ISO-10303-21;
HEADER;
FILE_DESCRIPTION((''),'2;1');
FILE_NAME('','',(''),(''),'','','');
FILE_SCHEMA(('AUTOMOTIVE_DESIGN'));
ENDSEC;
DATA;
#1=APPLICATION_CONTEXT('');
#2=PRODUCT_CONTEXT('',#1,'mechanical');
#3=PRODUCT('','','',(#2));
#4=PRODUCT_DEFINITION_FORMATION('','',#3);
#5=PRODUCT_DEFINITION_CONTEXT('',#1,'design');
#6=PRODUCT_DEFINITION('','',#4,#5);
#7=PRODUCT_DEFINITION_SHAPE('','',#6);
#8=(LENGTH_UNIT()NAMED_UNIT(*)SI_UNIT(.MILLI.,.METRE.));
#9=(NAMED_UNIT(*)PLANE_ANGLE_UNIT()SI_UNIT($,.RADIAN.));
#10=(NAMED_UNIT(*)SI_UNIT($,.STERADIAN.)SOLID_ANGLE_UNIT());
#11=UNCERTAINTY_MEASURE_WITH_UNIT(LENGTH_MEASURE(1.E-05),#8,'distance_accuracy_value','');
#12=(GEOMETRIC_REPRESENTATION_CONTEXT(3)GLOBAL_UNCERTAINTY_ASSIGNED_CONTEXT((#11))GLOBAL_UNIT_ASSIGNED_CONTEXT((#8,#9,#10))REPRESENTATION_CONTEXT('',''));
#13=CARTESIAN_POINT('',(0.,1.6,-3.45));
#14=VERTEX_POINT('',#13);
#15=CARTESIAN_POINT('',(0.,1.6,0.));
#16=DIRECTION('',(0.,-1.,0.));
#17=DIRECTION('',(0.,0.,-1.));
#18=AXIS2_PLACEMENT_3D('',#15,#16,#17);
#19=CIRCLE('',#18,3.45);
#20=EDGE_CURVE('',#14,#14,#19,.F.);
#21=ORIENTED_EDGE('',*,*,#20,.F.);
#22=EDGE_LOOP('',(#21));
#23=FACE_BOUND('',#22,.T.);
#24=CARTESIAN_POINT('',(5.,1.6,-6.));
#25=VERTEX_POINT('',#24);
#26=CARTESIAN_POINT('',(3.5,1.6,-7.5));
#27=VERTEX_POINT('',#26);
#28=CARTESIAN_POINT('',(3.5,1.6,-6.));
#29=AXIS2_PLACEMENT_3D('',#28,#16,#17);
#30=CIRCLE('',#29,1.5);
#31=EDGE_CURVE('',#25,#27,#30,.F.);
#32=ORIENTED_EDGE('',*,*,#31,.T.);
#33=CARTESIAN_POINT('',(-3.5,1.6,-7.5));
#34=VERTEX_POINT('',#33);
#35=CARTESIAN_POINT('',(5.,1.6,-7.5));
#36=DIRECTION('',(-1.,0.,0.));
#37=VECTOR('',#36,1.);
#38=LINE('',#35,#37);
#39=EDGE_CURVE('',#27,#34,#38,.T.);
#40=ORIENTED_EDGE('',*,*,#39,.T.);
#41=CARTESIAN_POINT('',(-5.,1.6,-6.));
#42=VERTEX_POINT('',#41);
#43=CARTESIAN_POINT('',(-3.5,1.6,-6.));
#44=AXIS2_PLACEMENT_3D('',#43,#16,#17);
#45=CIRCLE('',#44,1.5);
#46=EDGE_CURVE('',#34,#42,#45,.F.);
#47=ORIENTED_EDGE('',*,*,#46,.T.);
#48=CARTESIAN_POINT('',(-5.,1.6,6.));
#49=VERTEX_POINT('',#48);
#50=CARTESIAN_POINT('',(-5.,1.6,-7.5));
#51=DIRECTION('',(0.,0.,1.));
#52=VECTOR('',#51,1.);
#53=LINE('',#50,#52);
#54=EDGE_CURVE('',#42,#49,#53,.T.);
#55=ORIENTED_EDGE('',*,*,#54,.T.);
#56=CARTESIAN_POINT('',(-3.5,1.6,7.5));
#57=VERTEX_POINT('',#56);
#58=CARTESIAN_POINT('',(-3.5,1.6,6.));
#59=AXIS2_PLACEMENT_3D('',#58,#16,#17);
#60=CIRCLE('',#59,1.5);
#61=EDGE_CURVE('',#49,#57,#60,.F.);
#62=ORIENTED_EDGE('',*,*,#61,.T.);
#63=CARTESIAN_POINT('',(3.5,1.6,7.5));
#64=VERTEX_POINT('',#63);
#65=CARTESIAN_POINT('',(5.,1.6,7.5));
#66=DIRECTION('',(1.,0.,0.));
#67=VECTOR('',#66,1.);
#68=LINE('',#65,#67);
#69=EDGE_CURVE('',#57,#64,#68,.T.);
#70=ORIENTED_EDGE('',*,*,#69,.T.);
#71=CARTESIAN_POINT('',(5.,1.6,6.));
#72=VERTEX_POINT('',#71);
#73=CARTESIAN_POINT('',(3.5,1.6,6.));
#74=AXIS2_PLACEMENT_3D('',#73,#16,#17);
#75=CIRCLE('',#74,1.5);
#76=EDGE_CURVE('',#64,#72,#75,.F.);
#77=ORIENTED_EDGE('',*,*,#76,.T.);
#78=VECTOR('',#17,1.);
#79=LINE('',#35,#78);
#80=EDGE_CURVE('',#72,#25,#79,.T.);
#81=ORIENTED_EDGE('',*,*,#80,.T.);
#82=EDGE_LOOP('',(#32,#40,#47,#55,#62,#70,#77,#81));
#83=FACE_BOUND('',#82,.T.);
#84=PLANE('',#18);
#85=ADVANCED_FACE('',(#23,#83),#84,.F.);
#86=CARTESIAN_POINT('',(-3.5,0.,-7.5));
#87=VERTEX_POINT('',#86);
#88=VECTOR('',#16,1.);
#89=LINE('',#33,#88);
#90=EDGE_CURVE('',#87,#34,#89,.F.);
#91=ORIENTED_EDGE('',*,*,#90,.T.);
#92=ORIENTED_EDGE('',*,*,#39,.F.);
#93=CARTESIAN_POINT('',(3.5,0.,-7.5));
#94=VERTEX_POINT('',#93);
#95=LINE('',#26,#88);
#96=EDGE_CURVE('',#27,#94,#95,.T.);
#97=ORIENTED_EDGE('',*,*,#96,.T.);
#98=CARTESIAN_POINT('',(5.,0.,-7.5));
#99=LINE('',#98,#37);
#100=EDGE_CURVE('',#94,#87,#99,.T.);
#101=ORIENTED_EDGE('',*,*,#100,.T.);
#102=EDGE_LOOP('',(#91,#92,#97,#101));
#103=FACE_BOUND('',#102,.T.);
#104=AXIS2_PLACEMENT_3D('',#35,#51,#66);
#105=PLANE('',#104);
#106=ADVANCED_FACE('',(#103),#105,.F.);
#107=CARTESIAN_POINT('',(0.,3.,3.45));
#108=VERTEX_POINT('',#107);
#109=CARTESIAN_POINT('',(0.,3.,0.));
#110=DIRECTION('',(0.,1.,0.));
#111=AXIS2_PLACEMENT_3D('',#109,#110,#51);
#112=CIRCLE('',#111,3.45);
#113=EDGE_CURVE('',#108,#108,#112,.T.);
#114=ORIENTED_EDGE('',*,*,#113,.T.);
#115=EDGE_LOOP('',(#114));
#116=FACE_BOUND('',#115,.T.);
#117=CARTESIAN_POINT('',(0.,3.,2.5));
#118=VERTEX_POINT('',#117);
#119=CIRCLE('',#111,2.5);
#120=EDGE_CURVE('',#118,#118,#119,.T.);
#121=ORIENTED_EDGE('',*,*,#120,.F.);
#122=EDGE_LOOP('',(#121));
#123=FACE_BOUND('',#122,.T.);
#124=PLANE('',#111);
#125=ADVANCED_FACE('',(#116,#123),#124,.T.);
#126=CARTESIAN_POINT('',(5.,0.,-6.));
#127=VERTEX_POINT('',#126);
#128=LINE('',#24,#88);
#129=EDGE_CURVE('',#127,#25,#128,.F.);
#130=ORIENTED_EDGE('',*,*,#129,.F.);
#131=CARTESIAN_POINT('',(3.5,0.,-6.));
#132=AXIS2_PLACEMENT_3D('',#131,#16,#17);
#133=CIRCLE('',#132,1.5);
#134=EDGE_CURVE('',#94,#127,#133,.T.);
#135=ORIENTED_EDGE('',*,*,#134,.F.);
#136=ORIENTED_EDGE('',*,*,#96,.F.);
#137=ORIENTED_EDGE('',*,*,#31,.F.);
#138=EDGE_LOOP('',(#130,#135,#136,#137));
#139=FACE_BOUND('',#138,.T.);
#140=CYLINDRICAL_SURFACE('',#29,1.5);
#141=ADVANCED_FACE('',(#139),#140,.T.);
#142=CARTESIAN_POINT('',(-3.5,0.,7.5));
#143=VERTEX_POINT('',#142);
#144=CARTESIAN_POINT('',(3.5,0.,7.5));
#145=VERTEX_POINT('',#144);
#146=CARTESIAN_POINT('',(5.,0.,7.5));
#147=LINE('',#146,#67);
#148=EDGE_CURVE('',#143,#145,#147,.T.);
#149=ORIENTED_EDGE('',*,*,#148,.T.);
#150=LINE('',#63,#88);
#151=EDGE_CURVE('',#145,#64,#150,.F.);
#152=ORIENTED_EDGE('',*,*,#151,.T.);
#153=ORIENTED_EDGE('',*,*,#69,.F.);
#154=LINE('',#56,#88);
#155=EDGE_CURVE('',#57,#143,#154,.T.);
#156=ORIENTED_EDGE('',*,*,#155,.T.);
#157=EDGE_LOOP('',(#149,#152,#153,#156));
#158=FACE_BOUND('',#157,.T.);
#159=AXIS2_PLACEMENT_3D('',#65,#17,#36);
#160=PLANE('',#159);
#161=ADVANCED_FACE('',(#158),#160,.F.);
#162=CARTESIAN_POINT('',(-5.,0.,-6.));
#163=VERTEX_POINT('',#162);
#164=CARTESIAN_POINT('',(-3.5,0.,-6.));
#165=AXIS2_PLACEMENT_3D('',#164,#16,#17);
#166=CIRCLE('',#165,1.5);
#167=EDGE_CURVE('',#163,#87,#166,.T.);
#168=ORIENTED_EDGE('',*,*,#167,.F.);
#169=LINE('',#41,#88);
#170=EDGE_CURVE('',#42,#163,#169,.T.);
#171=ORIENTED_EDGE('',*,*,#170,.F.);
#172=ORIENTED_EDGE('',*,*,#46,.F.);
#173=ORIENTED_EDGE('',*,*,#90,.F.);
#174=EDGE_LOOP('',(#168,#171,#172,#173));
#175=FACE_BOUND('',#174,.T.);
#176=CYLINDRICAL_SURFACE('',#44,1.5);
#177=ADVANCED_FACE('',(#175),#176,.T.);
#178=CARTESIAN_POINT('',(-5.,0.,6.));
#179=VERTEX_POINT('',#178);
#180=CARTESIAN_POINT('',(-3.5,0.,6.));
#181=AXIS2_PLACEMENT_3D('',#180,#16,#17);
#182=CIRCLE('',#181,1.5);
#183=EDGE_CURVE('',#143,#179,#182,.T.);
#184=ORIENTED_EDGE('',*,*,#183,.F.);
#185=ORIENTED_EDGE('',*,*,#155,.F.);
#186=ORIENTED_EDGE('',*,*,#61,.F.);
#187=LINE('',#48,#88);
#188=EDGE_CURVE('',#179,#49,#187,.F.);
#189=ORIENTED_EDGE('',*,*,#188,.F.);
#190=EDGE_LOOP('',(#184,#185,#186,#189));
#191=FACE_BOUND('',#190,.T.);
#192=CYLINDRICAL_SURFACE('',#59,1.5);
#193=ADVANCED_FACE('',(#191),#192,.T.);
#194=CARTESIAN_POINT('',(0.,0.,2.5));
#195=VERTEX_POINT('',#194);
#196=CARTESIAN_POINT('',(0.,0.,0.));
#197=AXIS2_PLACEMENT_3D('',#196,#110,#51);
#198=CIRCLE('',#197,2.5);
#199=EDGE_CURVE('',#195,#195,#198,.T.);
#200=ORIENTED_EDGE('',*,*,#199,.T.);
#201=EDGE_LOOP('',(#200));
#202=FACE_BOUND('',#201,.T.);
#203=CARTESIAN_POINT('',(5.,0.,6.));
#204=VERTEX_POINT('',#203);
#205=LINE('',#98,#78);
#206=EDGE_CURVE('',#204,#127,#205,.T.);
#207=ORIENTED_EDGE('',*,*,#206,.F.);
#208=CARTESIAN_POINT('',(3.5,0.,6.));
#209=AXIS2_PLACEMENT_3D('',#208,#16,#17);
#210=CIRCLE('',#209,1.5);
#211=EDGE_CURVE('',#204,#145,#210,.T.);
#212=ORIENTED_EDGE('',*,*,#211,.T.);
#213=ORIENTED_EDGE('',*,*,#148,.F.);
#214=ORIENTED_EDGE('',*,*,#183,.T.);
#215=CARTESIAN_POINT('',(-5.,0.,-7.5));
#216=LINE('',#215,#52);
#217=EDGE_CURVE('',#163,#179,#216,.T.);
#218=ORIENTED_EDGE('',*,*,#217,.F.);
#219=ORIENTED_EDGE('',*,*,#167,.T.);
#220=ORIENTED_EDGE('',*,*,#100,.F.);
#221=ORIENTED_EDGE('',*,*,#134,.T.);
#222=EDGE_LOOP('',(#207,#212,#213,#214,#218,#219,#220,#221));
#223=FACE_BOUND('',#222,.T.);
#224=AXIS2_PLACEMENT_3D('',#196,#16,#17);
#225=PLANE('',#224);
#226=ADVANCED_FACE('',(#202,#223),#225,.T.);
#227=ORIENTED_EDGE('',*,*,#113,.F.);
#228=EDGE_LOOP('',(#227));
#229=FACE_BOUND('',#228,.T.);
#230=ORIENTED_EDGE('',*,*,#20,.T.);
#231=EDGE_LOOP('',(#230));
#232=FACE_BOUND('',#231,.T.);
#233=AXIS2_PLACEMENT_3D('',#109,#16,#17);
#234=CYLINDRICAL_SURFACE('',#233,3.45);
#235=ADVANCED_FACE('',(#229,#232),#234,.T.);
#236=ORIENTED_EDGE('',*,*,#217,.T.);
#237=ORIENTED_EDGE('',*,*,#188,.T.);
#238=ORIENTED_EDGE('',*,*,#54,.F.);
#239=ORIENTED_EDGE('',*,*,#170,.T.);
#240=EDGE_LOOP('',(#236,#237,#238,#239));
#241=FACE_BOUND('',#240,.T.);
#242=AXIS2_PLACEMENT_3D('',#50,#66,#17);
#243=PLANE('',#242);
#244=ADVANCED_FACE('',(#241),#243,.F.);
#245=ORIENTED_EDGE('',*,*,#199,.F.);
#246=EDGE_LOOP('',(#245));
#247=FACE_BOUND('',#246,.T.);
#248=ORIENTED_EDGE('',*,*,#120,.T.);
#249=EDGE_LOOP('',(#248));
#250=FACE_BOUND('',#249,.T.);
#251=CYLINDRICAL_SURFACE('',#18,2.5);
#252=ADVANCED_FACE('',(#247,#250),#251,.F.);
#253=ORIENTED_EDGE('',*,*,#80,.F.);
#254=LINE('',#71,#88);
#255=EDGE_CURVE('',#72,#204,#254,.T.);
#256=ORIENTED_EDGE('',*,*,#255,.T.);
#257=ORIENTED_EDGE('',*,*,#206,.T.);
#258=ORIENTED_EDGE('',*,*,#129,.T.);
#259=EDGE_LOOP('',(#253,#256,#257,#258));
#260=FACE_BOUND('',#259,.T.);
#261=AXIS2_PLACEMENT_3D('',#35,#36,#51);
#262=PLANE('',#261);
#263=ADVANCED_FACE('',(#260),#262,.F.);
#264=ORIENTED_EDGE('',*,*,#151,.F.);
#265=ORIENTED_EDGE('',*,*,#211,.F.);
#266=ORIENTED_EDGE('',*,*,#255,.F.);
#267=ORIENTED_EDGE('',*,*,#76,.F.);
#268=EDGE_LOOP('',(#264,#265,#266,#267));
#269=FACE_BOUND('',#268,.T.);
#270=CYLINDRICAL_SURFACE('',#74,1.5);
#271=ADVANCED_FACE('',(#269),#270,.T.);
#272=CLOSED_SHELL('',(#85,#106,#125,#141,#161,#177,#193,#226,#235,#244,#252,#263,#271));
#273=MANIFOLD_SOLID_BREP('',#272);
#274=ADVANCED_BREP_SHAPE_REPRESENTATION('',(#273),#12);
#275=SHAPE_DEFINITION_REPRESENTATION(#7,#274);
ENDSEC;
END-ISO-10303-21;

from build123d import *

# Parameters (mm, degrees)
SKETCH_1_W       = 10
SKETCH_1_H       = 15
SKETCH_1_R       = 2.5
BASE_DEPTH       = 1.6
FILLET_2_R       = 1.5
SKETCH_2_R       = 3.45
SKETCH_2_R_2     = 2.5
THREADBODY_DEPTH = 1.4


with BuildPart() as part:
    # Эскиз1 → Base (new body)
    with BuildSketch(Plane(origin=(0, 0, 0), x_dir=(1, 0, 0), z_dir=(0, 1, 0))):
        Rectangle(SKETCH_1_W, SKETCH_1_H)
        Circle(SKETCH_1_R, mode=Mode.SUBTRACT)
    extrude(amount=BASE_DEPTH)

    # Fillet 2
    fillet_2_edges = [part.edges().sort_by_distance(p)[0] for p in [
        (-5, 0.8, -7.5),
        (5, 0.8, -7.5),
        (5, 0.8, 7.5),
        (-5, 0.8, 7.5),
    ]]
    fillet(fillet_2_edges, radius=FILLET_2_R)

    # Эскиз2 → ThreadBody (add)
    with BuildSketch(Plane(origin=(0, 1.6, 0), x_dir=(1, 0, 0), z_dir=(0, 1, 0))):
        Circle(SKETCH_2_R)
        Circle(SKETCH_2_R_2, mode=Mode.SUBTRACT)
    extrude(amount=THREADBODY_DEPTH)


solid = part.part
